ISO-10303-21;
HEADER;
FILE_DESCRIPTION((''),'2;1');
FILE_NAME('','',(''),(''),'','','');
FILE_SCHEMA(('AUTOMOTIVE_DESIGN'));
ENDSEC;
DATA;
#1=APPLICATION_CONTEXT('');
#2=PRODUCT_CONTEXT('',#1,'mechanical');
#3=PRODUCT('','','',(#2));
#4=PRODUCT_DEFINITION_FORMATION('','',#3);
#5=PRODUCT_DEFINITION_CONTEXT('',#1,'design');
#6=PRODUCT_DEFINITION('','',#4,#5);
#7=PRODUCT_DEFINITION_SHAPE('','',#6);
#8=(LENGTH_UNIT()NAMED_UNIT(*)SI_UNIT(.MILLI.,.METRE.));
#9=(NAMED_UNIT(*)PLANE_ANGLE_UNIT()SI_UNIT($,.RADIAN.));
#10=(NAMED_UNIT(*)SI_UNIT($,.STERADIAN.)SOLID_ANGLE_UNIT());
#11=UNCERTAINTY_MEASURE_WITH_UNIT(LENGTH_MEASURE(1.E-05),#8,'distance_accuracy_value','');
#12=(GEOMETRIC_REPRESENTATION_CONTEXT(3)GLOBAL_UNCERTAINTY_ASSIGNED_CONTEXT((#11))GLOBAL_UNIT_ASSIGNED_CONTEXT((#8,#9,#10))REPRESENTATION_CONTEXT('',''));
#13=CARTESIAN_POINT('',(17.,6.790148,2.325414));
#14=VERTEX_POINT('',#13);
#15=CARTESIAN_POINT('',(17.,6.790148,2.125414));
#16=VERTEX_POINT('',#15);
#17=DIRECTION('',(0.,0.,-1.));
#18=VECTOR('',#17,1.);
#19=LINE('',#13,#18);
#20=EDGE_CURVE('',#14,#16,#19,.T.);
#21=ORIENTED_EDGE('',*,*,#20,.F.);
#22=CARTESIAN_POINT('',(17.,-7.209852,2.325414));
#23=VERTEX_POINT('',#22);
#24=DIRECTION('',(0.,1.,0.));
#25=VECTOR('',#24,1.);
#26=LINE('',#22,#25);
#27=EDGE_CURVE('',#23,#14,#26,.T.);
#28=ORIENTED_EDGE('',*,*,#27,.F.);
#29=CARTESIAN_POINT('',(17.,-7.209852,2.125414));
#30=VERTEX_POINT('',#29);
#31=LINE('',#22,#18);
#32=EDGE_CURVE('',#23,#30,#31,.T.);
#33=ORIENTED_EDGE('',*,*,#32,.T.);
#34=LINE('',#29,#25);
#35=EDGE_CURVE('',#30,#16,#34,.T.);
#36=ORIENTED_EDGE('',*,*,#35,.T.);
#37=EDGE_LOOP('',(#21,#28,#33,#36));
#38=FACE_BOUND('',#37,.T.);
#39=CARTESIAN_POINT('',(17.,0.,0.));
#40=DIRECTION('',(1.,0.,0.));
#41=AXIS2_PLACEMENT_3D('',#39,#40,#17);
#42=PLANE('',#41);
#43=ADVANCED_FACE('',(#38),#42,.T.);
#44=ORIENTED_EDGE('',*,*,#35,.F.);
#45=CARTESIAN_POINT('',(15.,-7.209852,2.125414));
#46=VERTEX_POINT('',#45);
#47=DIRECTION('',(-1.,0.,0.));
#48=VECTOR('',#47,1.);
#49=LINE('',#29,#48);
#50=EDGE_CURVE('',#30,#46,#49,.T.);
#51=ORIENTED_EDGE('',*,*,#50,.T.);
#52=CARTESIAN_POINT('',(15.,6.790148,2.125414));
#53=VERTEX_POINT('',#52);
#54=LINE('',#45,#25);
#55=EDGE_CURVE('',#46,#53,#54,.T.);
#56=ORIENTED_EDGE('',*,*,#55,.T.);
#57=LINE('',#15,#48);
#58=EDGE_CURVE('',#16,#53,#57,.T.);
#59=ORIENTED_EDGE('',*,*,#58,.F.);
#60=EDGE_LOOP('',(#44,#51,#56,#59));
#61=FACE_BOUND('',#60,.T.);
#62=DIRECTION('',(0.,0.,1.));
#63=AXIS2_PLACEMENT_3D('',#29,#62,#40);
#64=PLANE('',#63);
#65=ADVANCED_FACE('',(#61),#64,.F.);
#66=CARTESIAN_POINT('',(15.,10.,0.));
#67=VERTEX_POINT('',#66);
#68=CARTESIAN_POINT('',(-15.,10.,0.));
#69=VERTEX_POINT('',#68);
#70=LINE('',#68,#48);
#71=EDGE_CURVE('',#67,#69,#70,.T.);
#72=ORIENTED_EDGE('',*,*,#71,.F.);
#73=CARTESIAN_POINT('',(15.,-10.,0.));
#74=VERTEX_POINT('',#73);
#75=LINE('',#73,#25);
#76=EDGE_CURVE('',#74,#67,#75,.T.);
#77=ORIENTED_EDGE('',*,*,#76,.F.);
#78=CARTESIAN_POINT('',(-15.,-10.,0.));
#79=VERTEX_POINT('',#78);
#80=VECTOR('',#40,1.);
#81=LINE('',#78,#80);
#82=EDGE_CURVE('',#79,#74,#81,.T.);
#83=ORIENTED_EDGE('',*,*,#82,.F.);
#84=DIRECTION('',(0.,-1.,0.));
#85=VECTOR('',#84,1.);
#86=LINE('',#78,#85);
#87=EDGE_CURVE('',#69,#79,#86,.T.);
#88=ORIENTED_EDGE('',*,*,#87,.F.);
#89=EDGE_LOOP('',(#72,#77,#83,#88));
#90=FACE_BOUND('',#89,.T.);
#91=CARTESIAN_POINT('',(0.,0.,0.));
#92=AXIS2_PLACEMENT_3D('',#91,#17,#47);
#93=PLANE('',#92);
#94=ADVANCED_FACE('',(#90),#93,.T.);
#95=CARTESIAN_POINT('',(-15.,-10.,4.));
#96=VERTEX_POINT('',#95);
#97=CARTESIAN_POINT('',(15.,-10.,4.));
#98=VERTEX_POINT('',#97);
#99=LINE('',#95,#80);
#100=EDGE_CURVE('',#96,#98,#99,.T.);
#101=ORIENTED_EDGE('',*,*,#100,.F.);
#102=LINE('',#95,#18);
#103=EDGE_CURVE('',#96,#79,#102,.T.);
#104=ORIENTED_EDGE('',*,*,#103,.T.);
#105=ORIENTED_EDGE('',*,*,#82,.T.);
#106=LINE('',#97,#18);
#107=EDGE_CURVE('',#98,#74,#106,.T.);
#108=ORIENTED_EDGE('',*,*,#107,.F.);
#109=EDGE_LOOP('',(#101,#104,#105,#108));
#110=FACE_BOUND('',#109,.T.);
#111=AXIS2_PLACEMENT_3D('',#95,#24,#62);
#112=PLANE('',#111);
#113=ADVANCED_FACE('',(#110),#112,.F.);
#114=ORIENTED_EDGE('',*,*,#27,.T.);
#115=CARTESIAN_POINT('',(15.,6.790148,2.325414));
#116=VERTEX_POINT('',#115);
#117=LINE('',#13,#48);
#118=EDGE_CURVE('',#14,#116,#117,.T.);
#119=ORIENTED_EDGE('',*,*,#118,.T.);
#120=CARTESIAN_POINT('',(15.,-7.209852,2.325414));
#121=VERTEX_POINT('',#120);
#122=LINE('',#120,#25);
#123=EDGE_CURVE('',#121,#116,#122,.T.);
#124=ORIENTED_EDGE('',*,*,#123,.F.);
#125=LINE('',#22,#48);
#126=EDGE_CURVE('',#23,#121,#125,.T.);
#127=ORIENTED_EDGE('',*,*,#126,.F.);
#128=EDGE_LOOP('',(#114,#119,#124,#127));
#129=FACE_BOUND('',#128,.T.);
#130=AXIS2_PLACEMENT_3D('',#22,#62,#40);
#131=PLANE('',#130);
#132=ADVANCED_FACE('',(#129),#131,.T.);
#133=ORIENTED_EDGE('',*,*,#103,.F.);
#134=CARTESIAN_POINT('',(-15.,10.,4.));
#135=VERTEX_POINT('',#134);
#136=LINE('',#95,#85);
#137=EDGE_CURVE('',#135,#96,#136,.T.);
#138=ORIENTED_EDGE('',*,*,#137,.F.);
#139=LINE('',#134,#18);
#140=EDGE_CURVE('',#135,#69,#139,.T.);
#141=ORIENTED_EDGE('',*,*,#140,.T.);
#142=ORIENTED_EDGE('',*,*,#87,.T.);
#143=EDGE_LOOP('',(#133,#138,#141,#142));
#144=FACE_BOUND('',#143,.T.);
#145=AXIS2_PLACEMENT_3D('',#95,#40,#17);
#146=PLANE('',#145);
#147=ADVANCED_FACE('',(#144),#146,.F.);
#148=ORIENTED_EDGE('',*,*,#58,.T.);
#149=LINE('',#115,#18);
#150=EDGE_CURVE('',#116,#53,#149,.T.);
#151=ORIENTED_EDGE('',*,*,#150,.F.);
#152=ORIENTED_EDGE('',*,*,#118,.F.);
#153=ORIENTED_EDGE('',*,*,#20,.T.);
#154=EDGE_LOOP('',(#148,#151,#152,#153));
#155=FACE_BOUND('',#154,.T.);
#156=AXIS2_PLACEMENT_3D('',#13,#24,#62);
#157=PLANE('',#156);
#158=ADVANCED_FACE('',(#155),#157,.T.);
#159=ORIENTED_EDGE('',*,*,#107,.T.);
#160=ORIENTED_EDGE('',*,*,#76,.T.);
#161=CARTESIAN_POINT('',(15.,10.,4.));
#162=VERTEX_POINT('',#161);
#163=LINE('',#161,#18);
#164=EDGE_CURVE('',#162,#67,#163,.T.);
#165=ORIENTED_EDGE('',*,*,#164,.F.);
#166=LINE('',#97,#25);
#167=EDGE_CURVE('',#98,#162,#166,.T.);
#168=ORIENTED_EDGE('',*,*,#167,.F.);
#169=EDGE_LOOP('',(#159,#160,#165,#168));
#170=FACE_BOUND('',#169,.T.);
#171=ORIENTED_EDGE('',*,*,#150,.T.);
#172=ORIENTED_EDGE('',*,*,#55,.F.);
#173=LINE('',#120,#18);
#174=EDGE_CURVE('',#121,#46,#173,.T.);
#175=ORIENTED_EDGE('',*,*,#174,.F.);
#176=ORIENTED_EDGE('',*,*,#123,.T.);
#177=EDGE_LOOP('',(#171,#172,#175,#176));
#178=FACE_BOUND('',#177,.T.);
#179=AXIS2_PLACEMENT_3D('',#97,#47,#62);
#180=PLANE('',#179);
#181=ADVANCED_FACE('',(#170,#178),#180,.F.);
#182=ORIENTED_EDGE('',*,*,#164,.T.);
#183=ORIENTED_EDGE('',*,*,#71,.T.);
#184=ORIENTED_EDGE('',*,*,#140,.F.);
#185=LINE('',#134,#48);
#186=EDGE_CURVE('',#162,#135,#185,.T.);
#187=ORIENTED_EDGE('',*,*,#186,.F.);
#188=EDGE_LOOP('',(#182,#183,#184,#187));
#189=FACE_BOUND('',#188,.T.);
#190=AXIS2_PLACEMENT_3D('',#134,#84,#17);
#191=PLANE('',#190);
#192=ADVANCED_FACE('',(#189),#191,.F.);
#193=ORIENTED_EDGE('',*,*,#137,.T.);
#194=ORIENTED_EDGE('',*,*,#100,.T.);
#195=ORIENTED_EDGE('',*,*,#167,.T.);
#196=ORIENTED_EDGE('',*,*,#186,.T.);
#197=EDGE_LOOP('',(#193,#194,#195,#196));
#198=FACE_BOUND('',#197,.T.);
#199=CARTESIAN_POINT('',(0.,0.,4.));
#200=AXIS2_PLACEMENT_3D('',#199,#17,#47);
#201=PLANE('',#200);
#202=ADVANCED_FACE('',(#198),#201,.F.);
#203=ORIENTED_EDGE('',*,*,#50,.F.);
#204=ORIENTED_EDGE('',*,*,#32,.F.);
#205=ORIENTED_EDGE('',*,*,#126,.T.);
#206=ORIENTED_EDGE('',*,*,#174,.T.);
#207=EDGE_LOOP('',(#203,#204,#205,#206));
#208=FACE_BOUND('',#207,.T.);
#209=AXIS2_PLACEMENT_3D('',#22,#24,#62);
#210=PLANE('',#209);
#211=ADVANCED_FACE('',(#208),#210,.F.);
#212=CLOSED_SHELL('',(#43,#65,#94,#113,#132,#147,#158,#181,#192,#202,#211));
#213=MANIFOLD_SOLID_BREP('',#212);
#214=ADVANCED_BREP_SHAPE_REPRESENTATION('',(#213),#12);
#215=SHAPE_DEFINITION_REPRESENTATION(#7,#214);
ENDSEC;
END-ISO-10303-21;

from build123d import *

# Parameters (mm, degrees)
SKETCH1_W           = 30
SKETCH1_H           = 20
BOSS_EXTRUDE2_DEPTH = 4
SKETCH2_W           = 0.2
SKETCH2_H           = 14
BOSS_EXTRUDE4_DEPTH = 2


with BuildPart() as part:
    # Sketch1 → Boss-Extrude2 (new body)
    with BuildSketch(Plane.XY):
        Rectangle(SKETCH1_W, SKETCH1_H)
    extrude(amount=BOSS_EXTRUDE2_DEPTH)

    # Sketch2 → Boss-Extrude4 (add)
    with BuildSketch(Plane(origin=(15, 0, 0), x_dir=(0, 0, -1), z_dir=(1, 0, 0))):
        with Locations((-2.225414416, -0.209852037)):
            Rectangle(SKETCH2_W, SKETCH2_H)
    extrude(amount=BOSS_EXTRUDE4_DEPTH)


solid = part.part
